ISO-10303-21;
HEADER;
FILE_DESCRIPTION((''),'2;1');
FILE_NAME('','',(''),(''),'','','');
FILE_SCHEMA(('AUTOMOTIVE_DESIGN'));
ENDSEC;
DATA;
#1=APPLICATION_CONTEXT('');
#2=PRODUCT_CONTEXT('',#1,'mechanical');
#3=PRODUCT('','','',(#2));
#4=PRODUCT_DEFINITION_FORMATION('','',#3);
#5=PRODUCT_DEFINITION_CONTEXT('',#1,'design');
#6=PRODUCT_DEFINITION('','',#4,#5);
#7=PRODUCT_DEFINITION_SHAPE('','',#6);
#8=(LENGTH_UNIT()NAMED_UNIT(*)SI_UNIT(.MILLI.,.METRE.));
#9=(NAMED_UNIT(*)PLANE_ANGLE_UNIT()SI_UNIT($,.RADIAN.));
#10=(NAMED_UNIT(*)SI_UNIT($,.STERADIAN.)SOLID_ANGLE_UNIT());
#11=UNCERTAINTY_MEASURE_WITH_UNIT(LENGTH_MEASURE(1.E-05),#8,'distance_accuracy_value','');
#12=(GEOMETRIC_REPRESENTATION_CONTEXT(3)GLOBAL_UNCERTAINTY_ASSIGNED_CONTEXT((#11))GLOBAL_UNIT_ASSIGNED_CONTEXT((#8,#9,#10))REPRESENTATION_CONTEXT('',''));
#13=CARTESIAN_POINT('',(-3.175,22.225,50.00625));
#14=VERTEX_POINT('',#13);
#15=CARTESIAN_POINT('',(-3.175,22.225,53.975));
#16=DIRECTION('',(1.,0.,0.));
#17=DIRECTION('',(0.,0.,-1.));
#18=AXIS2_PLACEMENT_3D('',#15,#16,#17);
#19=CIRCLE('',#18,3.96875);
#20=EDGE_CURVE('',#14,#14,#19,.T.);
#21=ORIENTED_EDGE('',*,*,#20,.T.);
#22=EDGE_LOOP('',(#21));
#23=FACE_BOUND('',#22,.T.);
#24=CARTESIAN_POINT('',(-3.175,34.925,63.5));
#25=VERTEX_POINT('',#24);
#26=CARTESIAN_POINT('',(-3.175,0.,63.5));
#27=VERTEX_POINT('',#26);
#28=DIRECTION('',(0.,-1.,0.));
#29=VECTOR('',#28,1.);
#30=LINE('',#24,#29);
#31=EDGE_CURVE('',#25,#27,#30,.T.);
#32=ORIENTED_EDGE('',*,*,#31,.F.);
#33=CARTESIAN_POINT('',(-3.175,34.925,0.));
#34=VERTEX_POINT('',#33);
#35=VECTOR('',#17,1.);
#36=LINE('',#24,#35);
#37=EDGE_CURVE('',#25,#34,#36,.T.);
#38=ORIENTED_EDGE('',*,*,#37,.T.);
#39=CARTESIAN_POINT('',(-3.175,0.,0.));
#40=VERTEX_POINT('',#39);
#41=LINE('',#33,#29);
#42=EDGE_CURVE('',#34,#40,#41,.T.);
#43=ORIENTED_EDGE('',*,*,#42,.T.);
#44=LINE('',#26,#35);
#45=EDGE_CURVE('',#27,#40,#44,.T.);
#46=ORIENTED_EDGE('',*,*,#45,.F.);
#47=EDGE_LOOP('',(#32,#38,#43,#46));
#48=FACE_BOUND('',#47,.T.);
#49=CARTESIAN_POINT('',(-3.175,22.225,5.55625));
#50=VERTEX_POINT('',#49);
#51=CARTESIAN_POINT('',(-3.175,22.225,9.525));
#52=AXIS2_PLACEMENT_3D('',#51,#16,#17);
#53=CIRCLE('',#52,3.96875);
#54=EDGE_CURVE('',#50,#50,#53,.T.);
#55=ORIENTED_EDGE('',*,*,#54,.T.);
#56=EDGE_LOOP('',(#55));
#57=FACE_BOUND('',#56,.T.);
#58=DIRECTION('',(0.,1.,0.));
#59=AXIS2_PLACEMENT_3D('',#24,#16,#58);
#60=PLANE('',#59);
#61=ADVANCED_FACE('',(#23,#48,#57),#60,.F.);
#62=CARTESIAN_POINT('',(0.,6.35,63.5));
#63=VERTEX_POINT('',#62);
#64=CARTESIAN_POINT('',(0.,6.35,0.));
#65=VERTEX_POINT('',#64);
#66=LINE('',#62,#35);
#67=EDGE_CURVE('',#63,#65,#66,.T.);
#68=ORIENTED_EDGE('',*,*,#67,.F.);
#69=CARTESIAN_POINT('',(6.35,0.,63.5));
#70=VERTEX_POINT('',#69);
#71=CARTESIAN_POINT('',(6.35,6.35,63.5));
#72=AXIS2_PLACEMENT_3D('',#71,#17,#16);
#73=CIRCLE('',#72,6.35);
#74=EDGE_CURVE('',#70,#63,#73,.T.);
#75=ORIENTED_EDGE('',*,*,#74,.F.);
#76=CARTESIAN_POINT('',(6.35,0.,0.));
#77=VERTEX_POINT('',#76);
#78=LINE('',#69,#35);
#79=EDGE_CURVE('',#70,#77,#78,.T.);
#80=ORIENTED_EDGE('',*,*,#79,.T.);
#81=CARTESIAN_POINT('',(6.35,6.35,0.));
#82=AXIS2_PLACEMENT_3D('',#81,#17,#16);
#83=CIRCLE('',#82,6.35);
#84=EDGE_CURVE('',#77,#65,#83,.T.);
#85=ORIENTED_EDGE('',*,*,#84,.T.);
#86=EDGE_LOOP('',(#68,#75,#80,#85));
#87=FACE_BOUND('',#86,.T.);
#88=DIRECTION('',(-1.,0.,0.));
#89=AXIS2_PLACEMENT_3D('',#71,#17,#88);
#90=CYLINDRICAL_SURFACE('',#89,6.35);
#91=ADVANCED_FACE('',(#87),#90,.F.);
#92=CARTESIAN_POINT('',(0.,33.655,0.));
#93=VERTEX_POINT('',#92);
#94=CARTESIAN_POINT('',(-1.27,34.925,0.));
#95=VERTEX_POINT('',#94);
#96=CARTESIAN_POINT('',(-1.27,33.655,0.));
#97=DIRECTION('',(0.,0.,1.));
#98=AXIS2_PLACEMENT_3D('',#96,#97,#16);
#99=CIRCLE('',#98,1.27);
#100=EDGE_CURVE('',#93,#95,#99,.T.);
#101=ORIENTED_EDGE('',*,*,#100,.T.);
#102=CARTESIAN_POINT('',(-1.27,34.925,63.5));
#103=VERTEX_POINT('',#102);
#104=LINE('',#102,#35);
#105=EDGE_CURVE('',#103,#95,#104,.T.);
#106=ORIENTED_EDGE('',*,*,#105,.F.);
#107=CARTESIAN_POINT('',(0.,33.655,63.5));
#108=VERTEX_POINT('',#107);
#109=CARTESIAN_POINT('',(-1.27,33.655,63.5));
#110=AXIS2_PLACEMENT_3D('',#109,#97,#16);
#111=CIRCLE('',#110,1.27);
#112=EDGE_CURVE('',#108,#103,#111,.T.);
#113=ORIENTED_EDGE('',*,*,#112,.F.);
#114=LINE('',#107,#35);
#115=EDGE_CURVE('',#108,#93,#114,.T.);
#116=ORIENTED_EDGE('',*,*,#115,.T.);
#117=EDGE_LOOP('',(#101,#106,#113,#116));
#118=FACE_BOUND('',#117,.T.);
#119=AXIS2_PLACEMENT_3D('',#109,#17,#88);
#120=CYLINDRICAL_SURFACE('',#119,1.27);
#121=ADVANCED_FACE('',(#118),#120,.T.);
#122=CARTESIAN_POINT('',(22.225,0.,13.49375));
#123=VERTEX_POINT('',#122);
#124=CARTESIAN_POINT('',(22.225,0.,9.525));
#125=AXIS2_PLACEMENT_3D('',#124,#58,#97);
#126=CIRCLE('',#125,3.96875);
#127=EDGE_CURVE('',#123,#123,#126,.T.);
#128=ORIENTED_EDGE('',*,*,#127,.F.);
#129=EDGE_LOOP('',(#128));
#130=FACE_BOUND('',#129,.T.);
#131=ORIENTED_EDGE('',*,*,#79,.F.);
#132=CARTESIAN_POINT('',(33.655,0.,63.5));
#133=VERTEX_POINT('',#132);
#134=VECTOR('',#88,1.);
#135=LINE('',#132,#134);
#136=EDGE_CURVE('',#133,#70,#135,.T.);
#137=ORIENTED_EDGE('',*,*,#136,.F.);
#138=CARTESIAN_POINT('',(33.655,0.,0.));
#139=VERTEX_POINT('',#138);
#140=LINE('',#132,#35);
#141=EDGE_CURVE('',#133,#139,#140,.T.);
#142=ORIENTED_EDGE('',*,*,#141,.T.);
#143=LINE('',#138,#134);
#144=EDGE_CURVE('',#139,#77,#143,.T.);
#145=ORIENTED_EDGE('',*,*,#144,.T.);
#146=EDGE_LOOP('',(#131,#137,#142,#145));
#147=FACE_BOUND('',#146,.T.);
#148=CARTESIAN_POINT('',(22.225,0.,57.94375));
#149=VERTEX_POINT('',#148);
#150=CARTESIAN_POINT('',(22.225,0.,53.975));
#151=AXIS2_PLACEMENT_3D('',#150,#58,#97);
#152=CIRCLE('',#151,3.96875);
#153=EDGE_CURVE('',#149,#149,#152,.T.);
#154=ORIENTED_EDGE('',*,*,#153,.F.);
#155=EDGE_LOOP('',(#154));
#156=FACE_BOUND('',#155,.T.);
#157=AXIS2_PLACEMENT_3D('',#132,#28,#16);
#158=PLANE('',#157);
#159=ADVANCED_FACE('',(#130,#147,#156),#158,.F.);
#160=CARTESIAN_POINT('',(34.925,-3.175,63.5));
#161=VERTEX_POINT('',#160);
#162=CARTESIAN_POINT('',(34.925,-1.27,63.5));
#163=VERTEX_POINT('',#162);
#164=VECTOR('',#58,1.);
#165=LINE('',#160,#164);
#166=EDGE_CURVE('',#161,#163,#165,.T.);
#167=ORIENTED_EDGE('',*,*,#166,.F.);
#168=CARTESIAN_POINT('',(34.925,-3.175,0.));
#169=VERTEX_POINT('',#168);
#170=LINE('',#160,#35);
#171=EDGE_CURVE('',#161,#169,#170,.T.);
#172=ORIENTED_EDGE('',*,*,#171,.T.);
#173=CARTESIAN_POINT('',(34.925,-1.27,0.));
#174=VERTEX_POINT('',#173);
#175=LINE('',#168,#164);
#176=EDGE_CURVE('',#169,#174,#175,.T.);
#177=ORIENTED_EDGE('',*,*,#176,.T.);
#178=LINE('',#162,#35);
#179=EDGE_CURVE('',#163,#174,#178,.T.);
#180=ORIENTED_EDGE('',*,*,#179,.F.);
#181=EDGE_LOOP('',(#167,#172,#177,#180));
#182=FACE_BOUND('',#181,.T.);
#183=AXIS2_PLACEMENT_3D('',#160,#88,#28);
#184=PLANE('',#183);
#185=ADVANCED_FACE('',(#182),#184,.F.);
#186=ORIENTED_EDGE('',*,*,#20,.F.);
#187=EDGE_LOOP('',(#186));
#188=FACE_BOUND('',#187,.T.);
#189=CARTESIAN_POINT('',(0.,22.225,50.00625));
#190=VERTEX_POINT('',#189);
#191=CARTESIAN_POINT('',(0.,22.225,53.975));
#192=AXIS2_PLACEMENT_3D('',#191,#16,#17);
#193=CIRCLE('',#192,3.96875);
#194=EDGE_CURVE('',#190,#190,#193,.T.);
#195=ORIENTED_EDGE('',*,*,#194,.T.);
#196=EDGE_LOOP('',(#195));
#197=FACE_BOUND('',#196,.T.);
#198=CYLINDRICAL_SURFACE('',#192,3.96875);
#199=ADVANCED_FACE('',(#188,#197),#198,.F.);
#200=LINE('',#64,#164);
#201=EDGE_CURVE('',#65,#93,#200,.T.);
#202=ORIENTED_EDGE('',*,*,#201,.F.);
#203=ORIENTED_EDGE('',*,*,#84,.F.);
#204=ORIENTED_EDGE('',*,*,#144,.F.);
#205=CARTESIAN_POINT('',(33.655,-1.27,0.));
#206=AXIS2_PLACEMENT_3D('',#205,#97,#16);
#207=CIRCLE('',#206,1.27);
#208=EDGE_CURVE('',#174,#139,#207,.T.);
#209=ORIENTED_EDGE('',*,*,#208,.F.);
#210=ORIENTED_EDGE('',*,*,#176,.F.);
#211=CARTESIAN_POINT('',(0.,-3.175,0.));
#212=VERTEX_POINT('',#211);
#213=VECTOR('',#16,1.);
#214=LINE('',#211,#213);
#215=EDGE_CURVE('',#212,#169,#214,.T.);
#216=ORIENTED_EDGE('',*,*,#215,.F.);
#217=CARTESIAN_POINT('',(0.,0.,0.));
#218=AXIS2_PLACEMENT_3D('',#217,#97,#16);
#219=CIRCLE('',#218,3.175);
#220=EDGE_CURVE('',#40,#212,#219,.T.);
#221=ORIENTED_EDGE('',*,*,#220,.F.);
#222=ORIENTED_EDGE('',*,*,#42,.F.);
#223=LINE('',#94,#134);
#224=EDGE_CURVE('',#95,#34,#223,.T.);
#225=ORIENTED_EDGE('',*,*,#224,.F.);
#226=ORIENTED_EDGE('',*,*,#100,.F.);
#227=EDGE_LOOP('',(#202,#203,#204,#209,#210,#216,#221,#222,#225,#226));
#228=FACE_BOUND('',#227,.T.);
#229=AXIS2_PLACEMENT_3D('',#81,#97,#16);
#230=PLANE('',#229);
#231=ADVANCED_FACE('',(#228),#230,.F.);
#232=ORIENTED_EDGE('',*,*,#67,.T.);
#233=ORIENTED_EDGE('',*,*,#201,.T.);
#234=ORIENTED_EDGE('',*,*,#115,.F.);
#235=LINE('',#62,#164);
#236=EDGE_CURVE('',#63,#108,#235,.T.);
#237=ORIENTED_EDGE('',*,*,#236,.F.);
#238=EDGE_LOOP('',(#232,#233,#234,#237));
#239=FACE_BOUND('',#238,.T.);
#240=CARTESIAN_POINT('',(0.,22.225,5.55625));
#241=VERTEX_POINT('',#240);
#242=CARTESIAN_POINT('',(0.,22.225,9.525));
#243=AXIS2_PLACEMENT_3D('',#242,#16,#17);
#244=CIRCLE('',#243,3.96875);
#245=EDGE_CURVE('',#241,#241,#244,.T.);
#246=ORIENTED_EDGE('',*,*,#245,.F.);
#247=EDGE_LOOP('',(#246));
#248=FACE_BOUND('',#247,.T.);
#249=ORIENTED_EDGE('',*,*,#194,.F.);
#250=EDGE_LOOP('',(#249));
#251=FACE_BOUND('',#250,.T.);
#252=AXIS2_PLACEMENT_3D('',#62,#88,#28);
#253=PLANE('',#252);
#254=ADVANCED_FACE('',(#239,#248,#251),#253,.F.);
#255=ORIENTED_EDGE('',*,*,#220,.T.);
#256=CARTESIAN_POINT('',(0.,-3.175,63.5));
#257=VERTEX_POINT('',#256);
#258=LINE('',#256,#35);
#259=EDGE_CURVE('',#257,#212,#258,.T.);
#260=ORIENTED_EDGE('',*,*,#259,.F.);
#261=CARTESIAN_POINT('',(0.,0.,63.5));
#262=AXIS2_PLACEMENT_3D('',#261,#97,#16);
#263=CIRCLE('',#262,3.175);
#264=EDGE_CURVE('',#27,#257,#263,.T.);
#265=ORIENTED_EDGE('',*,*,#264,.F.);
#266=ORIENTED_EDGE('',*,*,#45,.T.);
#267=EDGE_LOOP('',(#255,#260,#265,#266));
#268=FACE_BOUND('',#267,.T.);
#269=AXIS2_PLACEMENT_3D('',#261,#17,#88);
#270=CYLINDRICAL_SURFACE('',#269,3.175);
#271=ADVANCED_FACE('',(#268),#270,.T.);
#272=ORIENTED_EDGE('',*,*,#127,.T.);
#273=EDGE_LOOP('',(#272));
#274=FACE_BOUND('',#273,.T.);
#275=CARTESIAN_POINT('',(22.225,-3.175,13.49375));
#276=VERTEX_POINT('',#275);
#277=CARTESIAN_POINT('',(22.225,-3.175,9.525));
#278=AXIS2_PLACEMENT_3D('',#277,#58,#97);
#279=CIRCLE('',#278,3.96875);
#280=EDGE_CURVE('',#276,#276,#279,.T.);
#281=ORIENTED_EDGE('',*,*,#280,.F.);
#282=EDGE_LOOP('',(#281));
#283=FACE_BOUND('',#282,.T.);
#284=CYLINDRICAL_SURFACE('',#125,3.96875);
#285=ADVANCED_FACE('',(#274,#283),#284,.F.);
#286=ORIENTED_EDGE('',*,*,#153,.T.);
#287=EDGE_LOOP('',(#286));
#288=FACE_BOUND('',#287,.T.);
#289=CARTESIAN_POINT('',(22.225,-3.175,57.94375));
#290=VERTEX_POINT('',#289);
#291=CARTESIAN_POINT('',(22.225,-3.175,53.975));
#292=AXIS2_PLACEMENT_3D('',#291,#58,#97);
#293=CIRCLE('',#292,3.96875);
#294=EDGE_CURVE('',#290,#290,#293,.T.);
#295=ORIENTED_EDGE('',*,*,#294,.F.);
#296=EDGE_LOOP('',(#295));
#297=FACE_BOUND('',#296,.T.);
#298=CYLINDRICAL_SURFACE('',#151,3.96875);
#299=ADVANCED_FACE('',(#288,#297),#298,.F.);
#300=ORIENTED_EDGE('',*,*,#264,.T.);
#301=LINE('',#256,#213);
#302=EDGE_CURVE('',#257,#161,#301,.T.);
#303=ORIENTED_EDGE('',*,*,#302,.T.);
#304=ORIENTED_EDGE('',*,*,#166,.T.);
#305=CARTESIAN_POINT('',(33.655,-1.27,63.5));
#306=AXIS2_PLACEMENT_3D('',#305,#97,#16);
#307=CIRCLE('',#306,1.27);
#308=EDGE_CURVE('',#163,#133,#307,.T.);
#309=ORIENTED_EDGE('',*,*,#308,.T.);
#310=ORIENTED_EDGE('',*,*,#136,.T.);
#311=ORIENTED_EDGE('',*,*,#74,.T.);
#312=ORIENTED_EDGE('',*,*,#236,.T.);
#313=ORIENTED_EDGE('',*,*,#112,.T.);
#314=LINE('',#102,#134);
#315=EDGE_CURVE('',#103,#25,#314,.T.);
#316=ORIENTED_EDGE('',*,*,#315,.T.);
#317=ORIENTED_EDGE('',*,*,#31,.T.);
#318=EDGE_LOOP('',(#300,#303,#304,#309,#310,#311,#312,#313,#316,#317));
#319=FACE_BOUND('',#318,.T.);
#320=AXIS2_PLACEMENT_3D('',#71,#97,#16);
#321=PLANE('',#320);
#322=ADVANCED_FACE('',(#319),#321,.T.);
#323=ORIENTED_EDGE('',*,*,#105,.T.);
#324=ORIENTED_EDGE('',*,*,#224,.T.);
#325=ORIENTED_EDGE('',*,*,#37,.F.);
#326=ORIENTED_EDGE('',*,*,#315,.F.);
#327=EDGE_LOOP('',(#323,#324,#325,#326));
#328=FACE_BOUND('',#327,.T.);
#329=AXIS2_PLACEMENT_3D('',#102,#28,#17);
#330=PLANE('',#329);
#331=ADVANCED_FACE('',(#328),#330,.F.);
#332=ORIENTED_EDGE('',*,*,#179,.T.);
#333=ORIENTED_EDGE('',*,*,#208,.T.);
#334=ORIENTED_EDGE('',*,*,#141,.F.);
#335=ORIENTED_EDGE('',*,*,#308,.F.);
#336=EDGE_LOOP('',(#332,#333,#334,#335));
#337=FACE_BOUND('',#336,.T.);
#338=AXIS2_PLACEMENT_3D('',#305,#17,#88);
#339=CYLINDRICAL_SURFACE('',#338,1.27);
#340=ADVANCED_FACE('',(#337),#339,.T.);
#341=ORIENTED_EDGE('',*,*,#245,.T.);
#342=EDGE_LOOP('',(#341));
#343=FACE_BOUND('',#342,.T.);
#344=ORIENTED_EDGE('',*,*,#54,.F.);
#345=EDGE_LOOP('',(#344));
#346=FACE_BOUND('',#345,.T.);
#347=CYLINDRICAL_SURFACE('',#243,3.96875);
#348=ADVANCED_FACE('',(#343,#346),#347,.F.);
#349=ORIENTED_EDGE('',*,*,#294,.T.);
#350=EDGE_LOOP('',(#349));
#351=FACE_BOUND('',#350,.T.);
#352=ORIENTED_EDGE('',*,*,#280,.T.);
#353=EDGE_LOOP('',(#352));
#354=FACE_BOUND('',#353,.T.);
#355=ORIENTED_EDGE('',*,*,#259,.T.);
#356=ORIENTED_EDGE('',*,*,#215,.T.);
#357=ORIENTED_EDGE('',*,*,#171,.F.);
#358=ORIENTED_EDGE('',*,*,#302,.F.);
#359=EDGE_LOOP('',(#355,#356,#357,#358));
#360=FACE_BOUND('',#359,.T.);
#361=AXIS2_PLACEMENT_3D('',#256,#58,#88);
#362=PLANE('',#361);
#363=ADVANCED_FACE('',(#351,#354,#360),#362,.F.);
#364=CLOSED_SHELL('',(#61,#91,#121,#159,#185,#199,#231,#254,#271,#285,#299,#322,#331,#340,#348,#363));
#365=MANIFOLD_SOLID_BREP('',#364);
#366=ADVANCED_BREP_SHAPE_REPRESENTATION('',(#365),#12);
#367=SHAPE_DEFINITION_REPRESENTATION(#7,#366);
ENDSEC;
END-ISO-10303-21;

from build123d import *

# Parameters (mm, degrees)
BOSS_EXTRUDE1_DEPTH                      = 63.5
F_5_16_0_3125_DIAMETER_HOLE1_D           = 7.9375
F_5_16_0_3125_DIAMETER_HOLE1_ON_FACE_2_D = 7.9375


with BuildPart() as part:
    # Sketch3 → Boss-Extrude1 (new body)
    with BuildSketch(Plane.XY):
        with BuildLine():
            Line((0, 6.35), (0, 33.655))
            ThreePointArc((0, 33.655), (-0.371974388, 34.553025612), (-1.27, 34.925))
            Line((-1.27, 34.925), (-3.175, 34.925))
            Line((-3.175, 34.925), (-3.175, 0))
            ThreePointArc((-3.175, 0), (-2.24506403, -2.24506403), (0, -3.175))
            Line((0, -3.175), (34.925, -3.175))
            Line((34.925, -3.175), (34.925, -1.27))
            ThreePointArc((34.925, -1.27), (34.553025612, -0.371974388), (33.655, 0))
            Line((33.655, 0), (6.35, 0))
            ThreePointArc((6.35, 0), (1.859871939, 1.859871939), (0, 6.35))
        make_face()
    extrude(amount=BOSS_EXTRUDE1_DEPTH)

    # 5/16 (0.3125) Diameter Hole1 (through all)
    with Locations(Plane(origin=(22.225, 0, 53.975), x_dir=(1, 0, 0), z_dir=(0, 1, 0))):
        with Locations((0, 0), (0, 44.45)):
            Hole(F_5_16_0_3125_DIAMETER_HOLE1_D / 2)

    # 5/16 (0.3125) Diameter Hole1 on face 2 (through all)
    with Locations(Plane(origin=(0, 22.225, 9.525), x_dir=(0, 0, 1), z_dir=(1, 0, 0))):
        with Locations((0, 0), (44.45, 0)):
            Hole(F_5_16_0_3125_DIAMETER_HOLE1_ON_FACE_2_D / 2)


solid = part.part
